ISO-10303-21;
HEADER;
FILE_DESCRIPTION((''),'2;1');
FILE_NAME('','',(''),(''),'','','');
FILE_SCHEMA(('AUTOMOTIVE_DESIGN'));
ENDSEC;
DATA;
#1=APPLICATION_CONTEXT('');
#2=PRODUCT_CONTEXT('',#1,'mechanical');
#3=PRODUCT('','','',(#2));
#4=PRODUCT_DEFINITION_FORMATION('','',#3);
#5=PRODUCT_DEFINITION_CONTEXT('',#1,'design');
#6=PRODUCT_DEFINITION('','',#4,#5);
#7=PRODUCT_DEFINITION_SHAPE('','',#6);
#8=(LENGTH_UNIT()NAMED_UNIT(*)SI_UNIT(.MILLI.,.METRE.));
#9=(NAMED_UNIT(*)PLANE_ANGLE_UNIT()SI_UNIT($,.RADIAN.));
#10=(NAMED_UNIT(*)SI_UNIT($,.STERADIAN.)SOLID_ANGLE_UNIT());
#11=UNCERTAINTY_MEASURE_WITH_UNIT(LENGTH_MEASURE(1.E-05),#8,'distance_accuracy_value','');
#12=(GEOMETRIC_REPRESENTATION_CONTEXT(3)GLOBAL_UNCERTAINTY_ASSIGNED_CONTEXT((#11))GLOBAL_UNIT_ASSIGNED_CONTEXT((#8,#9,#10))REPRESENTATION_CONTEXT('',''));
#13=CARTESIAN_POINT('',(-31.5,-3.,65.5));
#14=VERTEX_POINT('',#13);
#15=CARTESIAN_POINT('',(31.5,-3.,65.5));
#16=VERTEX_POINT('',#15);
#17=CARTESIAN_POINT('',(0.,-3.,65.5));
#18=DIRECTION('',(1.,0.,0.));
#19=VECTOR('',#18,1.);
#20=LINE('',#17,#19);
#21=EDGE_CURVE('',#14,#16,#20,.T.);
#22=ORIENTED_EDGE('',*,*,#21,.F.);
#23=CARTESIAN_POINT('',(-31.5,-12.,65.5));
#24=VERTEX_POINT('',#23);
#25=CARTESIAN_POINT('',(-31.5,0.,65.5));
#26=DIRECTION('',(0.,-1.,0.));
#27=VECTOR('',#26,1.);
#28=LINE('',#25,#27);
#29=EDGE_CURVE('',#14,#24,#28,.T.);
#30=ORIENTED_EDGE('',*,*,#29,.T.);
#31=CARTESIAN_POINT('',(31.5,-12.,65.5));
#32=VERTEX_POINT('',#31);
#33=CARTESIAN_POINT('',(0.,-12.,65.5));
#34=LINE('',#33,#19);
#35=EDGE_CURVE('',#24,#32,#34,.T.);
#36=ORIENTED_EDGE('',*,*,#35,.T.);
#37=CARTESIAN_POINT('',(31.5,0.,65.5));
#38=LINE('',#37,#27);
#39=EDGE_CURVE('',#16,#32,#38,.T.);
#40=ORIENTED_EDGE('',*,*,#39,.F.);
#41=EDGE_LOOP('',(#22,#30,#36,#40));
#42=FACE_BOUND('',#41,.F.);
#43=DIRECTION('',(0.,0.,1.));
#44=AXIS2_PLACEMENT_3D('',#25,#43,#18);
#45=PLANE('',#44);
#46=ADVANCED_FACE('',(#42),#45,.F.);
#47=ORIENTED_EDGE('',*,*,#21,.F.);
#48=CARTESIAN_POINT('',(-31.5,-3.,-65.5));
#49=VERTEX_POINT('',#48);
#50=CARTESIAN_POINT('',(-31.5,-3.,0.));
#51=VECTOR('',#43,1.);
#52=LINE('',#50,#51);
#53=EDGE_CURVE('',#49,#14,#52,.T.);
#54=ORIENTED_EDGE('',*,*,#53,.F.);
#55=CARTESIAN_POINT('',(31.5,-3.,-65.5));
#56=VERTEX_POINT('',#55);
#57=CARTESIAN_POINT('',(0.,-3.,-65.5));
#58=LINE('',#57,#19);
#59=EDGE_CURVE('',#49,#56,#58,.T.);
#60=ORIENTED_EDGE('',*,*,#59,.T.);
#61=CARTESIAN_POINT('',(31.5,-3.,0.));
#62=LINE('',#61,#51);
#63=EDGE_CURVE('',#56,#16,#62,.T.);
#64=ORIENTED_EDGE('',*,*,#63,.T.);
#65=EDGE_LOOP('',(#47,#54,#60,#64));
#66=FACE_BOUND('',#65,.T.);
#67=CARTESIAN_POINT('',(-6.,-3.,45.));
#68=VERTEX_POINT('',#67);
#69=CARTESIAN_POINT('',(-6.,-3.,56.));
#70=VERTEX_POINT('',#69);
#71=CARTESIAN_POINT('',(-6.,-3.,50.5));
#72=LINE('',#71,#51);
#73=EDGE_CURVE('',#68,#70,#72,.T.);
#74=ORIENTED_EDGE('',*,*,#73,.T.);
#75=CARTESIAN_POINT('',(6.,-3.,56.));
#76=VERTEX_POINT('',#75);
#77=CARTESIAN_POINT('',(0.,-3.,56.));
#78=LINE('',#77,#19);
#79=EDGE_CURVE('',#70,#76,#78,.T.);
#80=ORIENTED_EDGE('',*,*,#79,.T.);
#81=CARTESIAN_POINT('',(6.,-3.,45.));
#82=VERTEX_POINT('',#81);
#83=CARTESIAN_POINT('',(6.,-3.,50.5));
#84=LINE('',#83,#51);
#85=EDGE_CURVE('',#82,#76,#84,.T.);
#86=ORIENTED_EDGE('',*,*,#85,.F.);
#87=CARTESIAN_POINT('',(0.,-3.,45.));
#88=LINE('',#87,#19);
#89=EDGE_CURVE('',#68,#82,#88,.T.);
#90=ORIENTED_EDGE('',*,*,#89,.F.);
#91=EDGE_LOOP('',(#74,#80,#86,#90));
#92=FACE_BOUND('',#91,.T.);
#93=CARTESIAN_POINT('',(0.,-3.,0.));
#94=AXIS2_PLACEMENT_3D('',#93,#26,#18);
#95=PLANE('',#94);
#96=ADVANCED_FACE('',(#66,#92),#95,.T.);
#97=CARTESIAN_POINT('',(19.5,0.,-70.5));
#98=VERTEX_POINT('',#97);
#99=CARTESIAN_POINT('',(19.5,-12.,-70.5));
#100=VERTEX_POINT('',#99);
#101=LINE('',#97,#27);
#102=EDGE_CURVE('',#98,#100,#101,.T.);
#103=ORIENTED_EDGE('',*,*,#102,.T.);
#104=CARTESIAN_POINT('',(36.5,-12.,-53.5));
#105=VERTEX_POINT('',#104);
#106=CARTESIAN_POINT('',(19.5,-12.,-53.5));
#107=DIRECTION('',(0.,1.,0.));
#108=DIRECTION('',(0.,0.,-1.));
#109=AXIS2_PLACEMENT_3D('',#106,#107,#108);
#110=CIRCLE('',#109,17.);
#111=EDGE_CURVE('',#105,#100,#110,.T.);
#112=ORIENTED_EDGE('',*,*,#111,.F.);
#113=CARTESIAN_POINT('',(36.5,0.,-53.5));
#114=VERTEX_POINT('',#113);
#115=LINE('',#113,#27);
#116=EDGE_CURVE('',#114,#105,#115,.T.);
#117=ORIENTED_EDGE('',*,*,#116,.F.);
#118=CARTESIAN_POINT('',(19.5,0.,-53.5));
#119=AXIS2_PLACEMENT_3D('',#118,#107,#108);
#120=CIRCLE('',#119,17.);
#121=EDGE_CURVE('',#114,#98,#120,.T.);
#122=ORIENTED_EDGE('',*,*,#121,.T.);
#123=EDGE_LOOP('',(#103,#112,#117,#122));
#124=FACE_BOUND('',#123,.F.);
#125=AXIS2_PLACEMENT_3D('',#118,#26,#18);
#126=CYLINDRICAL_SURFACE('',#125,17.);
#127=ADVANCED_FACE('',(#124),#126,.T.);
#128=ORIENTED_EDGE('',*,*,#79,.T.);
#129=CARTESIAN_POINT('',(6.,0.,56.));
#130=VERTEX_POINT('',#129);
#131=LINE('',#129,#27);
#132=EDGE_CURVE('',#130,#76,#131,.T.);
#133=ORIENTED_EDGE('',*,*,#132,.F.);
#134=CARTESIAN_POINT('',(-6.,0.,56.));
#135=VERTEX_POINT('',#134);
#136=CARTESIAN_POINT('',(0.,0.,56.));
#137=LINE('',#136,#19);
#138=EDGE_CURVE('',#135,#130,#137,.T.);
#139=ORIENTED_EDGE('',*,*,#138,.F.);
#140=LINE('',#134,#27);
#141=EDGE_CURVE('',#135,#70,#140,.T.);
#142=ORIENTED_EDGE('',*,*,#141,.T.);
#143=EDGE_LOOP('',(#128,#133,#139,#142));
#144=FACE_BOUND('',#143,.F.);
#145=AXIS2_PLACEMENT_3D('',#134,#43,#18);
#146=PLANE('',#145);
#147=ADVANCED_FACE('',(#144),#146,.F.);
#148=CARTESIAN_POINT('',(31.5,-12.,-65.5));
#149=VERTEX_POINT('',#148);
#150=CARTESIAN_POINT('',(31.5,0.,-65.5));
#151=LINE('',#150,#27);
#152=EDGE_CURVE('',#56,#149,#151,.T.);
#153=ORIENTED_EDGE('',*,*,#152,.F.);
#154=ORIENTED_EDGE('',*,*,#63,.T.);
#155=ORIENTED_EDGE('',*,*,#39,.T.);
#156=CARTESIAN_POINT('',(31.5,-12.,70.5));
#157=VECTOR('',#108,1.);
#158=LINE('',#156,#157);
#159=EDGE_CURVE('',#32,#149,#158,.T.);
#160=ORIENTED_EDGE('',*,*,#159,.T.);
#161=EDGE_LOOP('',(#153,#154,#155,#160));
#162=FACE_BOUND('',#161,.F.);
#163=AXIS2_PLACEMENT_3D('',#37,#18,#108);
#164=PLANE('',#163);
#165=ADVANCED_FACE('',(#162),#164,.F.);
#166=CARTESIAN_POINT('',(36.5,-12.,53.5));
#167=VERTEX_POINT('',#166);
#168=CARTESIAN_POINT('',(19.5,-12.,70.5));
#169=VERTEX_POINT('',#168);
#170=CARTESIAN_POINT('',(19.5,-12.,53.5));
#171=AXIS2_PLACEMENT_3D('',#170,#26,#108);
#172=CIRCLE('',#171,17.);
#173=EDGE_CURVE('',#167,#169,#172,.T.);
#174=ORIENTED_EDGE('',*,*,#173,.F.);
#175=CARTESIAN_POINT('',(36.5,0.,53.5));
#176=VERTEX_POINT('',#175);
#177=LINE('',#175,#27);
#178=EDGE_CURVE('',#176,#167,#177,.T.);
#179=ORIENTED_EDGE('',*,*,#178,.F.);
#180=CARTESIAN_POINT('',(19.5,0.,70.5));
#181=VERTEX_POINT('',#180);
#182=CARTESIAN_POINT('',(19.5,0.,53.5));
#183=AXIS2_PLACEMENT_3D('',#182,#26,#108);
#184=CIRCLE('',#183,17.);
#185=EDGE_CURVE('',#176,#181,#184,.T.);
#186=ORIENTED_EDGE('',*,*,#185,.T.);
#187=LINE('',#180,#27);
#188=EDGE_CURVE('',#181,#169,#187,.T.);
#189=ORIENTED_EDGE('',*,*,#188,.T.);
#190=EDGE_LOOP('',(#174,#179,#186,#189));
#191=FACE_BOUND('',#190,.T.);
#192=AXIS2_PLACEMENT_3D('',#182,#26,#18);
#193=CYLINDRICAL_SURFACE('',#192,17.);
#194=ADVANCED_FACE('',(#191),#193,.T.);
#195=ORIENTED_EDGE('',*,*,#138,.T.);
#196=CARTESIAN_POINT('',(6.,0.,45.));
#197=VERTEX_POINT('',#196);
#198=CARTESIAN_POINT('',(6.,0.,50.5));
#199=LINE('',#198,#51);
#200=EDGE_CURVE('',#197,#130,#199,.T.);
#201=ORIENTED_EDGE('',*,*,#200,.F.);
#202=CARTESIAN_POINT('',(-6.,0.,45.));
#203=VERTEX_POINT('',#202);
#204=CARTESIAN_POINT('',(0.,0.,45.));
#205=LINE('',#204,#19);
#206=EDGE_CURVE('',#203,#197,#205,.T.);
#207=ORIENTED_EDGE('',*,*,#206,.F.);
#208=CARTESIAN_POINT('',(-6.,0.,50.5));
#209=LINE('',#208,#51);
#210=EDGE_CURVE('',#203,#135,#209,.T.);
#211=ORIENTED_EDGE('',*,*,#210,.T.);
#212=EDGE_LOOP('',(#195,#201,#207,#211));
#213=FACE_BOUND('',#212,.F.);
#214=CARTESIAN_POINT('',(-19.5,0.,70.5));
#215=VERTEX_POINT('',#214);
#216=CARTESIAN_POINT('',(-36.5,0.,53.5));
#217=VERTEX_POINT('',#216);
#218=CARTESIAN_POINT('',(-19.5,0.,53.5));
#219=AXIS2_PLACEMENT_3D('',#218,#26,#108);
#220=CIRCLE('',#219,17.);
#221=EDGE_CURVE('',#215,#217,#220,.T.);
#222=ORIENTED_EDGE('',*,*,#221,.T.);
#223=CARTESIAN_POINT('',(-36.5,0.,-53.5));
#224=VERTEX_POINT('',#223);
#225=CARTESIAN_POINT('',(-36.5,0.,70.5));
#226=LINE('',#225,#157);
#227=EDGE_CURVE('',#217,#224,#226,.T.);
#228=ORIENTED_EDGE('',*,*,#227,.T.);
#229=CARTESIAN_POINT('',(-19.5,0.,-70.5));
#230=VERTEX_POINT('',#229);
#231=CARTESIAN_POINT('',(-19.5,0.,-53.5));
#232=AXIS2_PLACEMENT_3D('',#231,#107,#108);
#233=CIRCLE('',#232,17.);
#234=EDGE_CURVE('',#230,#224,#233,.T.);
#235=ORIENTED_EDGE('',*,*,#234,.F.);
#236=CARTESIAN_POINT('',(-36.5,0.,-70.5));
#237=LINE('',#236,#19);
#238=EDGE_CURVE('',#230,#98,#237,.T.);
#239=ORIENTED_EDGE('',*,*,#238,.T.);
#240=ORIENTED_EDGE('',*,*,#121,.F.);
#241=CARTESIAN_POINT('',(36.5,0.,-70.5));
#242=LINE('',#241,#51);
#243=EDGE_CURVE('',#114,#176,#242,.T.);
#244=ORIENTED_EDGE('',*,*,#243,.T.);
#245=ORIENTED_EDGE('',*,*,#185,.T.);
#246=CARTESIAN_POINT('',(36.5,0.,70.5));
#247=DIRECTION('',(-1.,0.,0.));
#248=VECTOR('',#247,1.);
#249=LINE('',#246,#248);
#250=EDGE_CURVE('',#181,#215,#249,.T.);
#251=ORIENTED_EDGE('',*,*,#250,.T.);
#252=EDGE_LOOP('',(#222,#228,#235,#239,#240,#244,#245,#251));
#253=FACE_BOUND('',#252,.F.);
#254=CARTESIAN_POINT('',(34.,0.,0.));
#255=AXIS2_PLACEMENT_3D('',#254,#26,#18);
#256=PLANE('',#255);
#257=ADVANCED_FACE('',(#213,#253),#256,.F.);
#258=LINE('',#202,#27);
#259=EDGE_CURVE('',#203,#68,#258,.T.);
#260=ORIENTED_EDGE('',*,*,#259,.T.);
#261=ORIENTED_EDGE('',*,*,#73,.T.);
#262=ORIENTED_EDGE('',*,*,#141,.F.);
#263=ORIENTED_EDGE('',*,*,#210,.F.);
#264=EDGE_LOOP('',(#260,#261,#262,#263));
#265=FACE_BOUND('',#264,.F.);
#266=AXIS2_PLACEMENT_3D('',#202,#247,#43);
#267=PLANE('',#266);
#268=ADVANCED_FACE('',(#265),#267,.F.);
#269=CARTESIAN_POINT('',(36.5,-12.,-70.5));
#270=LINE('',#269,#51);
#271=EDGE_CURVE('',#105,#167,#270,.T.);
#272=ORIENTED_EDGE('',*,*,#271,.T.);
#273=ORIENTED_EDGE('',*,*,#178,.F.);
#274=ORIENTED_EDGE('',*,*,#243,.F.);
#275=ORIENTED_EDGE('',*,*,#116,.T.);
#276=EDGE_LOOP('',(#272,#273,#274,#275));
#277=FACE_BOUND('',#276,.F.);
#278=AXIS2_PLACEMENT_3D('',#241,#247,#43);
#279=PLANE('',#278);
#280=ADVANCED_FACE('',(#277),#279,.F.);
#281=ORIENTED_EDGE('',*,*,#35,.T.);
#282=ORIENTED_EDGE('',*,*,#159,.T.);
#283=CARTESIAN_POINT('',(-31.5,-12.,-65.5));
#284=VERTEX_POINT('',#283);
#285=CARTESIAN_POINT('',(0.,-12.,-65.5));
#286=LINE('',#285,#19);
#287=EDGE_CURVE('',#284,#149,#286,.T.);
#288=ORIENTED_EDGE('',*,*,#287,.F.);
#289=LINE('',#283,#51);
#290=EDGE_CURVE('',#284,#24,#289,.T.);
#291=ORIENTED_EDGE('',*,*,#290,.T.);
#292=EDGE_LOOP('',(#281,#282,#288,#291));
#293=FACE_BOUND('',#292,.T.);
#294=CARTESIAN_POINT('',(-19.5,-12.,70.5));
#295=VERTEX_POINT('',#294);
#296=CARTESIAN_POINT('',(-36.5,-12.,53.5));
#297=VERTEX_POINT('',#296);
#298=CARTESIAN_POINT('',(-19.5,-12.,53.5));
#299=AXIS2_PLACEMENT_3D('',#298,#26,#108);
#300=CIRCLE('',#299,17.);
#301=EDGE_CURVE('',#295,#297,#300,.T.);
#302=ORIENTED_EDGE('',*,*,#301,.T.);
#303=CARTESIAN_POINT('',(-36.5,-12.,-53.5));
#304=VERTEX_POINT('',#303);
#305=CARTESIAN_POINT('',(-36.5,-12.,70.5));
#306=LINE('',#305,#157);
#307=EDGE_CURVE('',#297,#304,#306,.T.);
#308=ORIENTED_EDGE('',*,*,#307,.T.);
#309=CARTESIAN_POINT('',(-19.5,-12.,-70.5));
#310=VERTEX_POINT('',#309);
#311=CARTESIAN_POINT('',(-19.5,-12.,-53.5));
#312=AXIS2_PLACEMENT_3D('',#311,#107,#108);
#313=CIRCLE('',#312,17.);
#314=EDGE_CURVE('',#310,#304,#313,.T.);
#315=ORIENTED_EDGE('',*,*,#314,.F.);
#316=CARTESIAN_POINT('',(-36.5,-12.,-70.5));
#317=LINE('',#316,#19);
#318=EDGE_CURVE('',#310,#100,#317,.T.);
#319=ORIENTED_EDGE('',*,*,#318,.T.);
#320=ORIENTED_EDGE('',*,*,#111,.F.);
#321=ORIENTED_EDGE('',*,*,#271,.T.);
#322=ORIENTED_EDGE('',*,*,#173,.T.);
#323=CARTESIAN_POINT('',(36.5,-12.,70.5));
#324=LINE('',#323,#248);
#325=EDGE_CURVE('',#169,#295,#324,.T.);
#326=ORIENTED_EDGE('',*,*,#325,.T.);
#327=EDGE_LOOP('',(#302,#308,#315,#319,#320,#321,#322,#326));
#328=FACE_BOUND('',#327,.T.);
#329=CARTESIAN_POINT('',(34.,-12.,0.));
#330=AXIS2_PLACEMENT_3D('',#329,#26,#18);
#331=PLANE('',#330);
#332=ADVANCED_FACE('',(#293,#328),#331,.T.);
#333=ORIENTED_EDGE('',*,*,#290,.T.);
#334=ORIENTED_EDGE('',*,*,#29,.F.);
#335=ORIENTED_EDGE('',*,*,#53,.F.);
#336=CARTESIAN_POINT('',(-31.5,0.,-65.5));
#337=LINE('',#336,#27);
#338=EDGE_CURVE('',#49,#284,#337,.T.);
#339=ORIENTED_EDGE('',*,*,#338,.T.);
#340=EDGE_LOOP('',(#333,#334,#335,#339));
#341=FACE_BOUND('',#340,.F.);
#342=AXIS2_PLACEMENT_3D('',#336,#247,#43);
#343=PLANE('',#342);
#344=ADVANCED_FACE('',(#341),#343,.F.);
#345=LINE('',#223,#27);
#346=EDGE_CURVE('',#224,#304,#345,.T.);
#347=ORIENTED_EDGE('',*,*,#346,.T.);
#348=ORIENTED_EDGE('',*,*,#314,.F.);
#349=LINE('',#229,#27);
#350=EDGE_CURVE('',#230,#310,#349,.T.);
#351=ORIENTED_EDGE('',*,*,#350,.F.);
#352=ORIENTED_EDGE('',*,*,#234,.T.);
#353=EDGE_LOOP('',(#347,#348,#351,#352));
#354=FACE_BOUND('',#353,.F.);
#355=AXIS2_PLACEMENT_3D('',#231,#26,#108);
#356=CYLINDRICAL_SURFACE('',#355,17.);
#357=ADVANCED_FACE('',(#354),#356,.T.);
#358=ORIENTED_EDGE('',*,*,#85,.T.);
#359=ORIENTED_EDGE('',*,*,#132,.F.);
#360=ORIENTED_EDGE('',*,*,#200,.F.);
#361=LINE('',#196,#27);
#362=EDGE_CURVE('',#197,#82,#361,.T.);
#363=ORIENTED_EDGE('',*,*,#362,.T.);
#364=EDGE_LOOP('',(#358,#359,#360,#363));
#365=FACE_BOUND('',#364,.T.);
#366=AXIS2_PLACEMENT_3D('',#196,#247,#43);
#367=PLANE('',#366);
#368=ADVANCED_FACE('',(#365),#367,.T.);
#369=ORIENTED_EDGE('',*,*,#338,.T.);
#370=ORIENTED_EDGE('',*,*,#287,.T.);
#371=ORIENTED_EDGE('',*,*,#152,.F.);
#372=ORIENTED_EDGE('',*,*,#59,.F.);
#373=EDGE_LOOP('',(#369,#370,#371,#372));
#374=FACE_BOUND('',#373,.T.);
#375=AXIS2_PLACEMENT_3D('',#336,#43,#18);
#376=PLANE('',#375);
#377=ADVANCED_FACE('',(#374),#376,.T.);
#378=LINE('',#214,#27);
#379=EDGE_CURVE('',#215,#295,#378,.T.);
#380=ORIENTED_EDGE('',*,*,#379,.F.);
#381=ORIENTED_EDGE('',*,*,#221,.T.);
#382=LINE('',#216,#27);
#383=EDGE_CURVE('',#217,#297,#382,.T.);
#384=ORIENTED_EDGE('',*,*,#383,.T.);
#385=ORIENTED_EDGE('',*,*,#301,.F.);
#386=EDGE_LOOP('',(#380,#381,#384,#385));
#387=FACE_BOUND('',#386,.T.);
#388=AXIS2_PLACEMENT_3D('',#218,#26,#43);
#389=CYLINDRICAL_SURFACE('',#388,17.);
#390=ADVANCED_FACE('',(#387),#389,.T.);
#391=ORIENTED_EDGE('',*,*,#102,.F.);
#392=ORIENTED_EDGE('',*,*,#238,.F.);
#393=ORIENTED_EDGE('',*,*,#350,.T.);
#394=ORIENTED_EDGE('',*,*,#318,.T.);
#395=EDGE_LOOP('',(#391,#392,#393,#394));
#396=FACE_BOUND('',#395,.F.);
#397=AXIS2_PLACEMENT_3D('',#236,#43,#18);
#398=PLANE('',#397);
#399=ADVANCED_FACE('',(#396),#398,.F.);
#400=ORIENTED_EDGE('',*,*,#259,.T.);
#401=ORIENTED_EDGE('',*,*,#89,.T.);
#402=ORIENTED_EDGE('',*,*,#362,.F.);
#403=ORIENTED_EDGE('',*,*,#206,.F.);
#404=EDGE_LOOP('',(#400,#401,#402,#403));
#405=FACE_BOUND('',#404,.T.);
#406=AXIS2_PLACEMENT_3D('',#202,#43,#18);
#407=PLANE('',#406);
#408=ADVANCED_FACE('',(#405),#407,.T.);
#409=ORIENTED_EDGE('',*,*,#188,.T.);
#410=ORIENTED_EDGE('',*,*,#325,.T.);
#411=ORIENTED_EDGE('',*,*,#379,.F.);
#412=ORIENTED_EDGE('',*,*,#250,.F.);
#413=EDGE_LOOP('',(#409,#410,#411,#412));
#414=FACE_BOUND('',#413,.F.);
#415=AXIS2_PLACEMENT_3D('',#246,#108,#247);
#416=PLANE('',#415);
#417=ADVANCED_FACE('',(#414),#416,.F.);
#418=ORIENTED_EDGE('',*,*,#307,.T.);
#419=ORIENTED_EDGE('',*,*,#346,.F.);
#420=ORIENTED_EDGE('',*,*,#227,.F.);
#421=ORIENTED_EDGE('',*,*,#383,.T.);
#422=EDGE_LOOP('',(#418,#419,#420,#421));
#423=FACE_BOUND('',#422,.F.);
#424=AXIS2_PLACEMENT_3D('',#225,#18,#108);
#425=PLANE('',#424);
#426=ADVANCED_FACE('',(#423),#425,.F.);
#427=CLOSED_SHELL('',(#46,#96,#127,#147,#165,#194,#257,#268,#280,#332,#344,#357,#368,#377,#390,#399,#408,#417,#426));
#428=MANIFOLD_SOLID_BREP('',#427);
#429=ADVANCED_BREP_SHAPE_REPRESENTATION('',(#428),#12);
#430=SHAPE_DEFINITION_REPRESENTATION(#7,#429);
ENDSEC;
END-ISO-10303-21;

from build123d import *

# Parameters (mm, degrees)
F0_W     = 63
F0_H     = 131
F0_W_2   = 12
F0_H_2   = 11
F1_DEPTH = 3
F0_H_3   = 5
F2_DEPTH = 12
F3_R     = 17


with BuildPart() as f1:
    # F0 (on Front) → F1 (new body)
    with BuildSketch(Plane.XZ):
        Rectangle(F0_W, F0_H)
        with Locations((0, 50.5)):
            Rectangle(F0_W_2, F0_H_2, mode=Mode.SUBTRACT)
    extrude(amount=F1_DEPTH)

    # F0 (on Front) → F2 (join)
    with BuildSketch(Plane.XZ):
        Polygon((31.5, -70.5), (36.5, -70.5), (36.5, 70.5), (31.5, 70.5), (31.5, 65.5), (31.5, -65.5), align=None)
        with Locations((0, -68)):
            Rectangle(F0_W, F0_H_3)
        Polygon((-36.5, -70.5), (-31.5, -70.5), (-31.5, -65.5), (-31.5, 65.5), (-31.5, 70.5), (-36.5, 70.5), align=None)
        with Locations((0, 68)):
            Rectangle(F0_W, F0_H_3)
    extrude(amount=F2_DEPTH)

    # F3
    f3_edges = [f1.edges().sort_by_distance(p)[0] for p in [
        (36.5, -6, 70.5),
        (-36.5, -6, 70.5),
        (-36.5, -6, -70.5),
        (36.5, -6, -70.5),
    ]]
    fillet(f3_edges, radius=F3_R)


solid = f1.part
